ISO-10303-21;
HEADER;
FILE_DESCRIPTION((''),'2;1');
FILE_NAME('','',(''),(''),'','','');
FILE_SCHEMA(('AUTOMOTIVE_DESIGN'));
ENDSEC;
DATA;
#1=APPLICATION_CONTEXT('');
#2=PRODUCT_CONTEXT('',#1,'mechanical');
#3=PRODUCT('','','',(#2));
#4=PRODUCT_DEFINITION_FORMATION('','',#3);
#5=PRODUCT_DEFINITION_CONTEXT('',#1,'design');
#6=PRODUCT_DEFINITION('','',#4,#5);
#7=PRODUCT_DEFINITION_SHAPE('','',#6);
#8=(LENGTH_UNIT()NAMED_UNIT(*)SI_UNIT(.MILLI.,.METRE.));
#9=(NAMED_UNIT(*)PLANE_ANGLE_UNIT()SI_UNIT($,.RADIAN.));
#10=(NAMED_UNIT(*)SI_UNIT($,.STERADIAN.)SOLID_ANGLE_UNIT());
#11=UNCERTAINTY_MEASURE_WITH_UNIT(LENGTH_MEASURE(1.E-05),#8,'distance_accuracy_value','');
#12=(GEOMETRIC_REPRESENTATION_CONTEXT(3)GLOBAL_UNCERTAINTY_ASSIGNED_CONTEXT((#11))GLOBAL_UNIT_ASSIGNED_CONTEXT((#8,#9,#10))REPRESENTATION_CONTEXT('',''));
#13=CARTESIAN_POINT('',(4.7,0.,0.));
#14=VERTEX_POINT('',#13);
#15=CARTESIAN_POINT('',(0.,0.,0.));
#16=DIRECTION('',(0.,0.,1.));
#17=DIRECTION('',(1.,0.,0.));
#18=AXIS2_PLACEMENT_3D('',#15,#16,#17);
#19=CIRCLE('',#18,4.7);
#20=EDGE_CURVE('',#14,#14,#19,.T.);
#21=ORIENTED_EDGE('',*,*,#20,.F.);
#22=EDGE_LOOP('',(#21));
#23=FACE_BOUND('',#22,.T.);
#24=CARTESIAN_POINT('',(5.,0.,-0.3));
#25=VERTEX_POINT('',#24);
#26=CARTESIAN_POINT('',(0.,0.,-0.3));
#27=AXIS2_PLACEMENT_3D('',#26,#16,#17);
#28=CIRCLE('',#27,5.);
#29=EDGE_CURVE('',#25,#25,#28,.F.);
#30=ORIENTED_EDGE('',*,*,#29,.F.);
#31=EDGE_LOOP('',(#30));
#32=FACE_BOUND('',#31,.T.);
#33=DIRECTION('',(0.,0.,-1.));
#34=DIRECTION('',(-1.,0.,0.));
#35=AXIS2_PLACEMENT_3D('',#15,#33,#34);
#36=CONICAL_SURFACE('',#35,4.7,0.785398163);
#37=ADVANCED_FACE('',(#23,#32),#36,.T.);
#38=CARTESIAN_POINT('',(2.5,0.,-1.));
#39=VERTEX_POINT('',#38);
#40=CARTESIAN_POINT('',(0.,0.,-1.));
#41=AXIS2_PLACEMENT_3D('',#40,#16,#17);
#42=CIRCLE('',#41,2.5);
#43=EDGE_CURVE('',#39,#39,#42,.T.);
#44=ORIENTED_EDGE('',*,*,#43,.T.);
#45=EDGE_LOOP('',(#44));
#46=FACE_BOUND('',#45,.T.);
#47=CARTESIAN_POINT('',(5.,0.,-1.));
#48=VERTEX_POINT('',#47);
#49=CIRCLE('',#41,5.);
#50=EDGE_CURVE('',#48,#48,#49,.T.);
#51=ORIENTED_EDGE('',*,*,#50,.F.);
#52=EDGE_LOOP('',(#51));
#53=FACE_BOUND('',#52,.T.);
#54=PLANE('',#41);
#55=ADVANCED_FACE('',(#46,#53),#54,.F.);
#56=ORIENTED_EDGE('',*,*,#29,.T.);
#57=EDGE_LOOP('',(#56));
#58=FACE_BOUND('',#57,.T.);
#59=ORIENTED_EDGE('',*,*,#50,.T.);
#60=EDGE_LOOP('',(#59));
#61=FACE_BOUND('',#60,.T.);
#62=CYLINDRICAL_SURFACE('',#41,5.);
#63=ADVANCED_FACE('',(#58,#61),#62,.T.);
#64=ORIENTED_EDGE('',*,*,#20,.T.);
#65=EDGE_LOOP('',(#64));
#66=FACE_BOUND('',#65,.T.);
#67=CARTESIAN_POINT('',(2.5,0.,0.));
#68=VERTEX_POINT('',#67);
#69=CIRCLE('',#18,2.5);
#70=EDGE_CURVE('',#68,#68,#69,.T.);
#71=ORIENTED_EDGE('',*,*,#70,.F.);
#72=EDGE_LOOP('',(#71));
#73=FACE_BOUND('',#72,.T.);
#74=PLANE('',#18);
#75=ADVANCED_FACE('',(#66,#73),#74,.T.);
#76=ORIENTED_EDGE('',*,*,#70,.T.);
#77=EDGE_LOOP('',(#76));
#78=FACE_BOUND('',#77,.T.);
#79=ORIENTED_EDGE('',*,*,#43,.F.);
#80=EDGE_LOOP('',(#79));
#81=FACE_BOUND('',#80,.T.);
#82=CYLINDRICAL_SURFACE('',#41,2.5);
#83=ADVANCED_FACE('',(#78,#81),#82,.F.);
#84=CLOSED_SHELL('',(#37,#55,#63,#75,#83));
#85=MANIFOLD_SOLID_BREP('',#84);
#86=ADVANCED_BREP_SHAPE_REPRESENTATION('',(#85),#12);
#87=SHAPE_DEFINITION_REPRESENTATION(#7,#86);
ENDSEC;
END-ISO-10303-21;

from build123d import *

# Parameters (mm, degrees)
CROQUIS1_R              = 5
CROQUIS1_R_2            = 2.5
SALIENTE_EXTRUIR1_DEPTH = 1
CHAFL_N1_SIZE           = 0.3


with BuildPart() as part:
    # Croquis1 → Saliente-Extruir1 (new body)
    with BuildSketch(Plane.XY):
        Circle(CROQUIS1_R)
        Circle(CROQUIS1_R_2, mode=Mode.SUBTRACT)
    extrude(amount=-SALIENTE_EXTRUIR1_DEPTH)

    # Chaflán1
    chafl_n1_edges = [part.edges().sort_by_distance(p)[0] for p in [
        (-5, 0, 0),
    ]]
    chamfer(chafl_n1_edges, length=CHAFL_N1_SIZE)


solid = part.part
